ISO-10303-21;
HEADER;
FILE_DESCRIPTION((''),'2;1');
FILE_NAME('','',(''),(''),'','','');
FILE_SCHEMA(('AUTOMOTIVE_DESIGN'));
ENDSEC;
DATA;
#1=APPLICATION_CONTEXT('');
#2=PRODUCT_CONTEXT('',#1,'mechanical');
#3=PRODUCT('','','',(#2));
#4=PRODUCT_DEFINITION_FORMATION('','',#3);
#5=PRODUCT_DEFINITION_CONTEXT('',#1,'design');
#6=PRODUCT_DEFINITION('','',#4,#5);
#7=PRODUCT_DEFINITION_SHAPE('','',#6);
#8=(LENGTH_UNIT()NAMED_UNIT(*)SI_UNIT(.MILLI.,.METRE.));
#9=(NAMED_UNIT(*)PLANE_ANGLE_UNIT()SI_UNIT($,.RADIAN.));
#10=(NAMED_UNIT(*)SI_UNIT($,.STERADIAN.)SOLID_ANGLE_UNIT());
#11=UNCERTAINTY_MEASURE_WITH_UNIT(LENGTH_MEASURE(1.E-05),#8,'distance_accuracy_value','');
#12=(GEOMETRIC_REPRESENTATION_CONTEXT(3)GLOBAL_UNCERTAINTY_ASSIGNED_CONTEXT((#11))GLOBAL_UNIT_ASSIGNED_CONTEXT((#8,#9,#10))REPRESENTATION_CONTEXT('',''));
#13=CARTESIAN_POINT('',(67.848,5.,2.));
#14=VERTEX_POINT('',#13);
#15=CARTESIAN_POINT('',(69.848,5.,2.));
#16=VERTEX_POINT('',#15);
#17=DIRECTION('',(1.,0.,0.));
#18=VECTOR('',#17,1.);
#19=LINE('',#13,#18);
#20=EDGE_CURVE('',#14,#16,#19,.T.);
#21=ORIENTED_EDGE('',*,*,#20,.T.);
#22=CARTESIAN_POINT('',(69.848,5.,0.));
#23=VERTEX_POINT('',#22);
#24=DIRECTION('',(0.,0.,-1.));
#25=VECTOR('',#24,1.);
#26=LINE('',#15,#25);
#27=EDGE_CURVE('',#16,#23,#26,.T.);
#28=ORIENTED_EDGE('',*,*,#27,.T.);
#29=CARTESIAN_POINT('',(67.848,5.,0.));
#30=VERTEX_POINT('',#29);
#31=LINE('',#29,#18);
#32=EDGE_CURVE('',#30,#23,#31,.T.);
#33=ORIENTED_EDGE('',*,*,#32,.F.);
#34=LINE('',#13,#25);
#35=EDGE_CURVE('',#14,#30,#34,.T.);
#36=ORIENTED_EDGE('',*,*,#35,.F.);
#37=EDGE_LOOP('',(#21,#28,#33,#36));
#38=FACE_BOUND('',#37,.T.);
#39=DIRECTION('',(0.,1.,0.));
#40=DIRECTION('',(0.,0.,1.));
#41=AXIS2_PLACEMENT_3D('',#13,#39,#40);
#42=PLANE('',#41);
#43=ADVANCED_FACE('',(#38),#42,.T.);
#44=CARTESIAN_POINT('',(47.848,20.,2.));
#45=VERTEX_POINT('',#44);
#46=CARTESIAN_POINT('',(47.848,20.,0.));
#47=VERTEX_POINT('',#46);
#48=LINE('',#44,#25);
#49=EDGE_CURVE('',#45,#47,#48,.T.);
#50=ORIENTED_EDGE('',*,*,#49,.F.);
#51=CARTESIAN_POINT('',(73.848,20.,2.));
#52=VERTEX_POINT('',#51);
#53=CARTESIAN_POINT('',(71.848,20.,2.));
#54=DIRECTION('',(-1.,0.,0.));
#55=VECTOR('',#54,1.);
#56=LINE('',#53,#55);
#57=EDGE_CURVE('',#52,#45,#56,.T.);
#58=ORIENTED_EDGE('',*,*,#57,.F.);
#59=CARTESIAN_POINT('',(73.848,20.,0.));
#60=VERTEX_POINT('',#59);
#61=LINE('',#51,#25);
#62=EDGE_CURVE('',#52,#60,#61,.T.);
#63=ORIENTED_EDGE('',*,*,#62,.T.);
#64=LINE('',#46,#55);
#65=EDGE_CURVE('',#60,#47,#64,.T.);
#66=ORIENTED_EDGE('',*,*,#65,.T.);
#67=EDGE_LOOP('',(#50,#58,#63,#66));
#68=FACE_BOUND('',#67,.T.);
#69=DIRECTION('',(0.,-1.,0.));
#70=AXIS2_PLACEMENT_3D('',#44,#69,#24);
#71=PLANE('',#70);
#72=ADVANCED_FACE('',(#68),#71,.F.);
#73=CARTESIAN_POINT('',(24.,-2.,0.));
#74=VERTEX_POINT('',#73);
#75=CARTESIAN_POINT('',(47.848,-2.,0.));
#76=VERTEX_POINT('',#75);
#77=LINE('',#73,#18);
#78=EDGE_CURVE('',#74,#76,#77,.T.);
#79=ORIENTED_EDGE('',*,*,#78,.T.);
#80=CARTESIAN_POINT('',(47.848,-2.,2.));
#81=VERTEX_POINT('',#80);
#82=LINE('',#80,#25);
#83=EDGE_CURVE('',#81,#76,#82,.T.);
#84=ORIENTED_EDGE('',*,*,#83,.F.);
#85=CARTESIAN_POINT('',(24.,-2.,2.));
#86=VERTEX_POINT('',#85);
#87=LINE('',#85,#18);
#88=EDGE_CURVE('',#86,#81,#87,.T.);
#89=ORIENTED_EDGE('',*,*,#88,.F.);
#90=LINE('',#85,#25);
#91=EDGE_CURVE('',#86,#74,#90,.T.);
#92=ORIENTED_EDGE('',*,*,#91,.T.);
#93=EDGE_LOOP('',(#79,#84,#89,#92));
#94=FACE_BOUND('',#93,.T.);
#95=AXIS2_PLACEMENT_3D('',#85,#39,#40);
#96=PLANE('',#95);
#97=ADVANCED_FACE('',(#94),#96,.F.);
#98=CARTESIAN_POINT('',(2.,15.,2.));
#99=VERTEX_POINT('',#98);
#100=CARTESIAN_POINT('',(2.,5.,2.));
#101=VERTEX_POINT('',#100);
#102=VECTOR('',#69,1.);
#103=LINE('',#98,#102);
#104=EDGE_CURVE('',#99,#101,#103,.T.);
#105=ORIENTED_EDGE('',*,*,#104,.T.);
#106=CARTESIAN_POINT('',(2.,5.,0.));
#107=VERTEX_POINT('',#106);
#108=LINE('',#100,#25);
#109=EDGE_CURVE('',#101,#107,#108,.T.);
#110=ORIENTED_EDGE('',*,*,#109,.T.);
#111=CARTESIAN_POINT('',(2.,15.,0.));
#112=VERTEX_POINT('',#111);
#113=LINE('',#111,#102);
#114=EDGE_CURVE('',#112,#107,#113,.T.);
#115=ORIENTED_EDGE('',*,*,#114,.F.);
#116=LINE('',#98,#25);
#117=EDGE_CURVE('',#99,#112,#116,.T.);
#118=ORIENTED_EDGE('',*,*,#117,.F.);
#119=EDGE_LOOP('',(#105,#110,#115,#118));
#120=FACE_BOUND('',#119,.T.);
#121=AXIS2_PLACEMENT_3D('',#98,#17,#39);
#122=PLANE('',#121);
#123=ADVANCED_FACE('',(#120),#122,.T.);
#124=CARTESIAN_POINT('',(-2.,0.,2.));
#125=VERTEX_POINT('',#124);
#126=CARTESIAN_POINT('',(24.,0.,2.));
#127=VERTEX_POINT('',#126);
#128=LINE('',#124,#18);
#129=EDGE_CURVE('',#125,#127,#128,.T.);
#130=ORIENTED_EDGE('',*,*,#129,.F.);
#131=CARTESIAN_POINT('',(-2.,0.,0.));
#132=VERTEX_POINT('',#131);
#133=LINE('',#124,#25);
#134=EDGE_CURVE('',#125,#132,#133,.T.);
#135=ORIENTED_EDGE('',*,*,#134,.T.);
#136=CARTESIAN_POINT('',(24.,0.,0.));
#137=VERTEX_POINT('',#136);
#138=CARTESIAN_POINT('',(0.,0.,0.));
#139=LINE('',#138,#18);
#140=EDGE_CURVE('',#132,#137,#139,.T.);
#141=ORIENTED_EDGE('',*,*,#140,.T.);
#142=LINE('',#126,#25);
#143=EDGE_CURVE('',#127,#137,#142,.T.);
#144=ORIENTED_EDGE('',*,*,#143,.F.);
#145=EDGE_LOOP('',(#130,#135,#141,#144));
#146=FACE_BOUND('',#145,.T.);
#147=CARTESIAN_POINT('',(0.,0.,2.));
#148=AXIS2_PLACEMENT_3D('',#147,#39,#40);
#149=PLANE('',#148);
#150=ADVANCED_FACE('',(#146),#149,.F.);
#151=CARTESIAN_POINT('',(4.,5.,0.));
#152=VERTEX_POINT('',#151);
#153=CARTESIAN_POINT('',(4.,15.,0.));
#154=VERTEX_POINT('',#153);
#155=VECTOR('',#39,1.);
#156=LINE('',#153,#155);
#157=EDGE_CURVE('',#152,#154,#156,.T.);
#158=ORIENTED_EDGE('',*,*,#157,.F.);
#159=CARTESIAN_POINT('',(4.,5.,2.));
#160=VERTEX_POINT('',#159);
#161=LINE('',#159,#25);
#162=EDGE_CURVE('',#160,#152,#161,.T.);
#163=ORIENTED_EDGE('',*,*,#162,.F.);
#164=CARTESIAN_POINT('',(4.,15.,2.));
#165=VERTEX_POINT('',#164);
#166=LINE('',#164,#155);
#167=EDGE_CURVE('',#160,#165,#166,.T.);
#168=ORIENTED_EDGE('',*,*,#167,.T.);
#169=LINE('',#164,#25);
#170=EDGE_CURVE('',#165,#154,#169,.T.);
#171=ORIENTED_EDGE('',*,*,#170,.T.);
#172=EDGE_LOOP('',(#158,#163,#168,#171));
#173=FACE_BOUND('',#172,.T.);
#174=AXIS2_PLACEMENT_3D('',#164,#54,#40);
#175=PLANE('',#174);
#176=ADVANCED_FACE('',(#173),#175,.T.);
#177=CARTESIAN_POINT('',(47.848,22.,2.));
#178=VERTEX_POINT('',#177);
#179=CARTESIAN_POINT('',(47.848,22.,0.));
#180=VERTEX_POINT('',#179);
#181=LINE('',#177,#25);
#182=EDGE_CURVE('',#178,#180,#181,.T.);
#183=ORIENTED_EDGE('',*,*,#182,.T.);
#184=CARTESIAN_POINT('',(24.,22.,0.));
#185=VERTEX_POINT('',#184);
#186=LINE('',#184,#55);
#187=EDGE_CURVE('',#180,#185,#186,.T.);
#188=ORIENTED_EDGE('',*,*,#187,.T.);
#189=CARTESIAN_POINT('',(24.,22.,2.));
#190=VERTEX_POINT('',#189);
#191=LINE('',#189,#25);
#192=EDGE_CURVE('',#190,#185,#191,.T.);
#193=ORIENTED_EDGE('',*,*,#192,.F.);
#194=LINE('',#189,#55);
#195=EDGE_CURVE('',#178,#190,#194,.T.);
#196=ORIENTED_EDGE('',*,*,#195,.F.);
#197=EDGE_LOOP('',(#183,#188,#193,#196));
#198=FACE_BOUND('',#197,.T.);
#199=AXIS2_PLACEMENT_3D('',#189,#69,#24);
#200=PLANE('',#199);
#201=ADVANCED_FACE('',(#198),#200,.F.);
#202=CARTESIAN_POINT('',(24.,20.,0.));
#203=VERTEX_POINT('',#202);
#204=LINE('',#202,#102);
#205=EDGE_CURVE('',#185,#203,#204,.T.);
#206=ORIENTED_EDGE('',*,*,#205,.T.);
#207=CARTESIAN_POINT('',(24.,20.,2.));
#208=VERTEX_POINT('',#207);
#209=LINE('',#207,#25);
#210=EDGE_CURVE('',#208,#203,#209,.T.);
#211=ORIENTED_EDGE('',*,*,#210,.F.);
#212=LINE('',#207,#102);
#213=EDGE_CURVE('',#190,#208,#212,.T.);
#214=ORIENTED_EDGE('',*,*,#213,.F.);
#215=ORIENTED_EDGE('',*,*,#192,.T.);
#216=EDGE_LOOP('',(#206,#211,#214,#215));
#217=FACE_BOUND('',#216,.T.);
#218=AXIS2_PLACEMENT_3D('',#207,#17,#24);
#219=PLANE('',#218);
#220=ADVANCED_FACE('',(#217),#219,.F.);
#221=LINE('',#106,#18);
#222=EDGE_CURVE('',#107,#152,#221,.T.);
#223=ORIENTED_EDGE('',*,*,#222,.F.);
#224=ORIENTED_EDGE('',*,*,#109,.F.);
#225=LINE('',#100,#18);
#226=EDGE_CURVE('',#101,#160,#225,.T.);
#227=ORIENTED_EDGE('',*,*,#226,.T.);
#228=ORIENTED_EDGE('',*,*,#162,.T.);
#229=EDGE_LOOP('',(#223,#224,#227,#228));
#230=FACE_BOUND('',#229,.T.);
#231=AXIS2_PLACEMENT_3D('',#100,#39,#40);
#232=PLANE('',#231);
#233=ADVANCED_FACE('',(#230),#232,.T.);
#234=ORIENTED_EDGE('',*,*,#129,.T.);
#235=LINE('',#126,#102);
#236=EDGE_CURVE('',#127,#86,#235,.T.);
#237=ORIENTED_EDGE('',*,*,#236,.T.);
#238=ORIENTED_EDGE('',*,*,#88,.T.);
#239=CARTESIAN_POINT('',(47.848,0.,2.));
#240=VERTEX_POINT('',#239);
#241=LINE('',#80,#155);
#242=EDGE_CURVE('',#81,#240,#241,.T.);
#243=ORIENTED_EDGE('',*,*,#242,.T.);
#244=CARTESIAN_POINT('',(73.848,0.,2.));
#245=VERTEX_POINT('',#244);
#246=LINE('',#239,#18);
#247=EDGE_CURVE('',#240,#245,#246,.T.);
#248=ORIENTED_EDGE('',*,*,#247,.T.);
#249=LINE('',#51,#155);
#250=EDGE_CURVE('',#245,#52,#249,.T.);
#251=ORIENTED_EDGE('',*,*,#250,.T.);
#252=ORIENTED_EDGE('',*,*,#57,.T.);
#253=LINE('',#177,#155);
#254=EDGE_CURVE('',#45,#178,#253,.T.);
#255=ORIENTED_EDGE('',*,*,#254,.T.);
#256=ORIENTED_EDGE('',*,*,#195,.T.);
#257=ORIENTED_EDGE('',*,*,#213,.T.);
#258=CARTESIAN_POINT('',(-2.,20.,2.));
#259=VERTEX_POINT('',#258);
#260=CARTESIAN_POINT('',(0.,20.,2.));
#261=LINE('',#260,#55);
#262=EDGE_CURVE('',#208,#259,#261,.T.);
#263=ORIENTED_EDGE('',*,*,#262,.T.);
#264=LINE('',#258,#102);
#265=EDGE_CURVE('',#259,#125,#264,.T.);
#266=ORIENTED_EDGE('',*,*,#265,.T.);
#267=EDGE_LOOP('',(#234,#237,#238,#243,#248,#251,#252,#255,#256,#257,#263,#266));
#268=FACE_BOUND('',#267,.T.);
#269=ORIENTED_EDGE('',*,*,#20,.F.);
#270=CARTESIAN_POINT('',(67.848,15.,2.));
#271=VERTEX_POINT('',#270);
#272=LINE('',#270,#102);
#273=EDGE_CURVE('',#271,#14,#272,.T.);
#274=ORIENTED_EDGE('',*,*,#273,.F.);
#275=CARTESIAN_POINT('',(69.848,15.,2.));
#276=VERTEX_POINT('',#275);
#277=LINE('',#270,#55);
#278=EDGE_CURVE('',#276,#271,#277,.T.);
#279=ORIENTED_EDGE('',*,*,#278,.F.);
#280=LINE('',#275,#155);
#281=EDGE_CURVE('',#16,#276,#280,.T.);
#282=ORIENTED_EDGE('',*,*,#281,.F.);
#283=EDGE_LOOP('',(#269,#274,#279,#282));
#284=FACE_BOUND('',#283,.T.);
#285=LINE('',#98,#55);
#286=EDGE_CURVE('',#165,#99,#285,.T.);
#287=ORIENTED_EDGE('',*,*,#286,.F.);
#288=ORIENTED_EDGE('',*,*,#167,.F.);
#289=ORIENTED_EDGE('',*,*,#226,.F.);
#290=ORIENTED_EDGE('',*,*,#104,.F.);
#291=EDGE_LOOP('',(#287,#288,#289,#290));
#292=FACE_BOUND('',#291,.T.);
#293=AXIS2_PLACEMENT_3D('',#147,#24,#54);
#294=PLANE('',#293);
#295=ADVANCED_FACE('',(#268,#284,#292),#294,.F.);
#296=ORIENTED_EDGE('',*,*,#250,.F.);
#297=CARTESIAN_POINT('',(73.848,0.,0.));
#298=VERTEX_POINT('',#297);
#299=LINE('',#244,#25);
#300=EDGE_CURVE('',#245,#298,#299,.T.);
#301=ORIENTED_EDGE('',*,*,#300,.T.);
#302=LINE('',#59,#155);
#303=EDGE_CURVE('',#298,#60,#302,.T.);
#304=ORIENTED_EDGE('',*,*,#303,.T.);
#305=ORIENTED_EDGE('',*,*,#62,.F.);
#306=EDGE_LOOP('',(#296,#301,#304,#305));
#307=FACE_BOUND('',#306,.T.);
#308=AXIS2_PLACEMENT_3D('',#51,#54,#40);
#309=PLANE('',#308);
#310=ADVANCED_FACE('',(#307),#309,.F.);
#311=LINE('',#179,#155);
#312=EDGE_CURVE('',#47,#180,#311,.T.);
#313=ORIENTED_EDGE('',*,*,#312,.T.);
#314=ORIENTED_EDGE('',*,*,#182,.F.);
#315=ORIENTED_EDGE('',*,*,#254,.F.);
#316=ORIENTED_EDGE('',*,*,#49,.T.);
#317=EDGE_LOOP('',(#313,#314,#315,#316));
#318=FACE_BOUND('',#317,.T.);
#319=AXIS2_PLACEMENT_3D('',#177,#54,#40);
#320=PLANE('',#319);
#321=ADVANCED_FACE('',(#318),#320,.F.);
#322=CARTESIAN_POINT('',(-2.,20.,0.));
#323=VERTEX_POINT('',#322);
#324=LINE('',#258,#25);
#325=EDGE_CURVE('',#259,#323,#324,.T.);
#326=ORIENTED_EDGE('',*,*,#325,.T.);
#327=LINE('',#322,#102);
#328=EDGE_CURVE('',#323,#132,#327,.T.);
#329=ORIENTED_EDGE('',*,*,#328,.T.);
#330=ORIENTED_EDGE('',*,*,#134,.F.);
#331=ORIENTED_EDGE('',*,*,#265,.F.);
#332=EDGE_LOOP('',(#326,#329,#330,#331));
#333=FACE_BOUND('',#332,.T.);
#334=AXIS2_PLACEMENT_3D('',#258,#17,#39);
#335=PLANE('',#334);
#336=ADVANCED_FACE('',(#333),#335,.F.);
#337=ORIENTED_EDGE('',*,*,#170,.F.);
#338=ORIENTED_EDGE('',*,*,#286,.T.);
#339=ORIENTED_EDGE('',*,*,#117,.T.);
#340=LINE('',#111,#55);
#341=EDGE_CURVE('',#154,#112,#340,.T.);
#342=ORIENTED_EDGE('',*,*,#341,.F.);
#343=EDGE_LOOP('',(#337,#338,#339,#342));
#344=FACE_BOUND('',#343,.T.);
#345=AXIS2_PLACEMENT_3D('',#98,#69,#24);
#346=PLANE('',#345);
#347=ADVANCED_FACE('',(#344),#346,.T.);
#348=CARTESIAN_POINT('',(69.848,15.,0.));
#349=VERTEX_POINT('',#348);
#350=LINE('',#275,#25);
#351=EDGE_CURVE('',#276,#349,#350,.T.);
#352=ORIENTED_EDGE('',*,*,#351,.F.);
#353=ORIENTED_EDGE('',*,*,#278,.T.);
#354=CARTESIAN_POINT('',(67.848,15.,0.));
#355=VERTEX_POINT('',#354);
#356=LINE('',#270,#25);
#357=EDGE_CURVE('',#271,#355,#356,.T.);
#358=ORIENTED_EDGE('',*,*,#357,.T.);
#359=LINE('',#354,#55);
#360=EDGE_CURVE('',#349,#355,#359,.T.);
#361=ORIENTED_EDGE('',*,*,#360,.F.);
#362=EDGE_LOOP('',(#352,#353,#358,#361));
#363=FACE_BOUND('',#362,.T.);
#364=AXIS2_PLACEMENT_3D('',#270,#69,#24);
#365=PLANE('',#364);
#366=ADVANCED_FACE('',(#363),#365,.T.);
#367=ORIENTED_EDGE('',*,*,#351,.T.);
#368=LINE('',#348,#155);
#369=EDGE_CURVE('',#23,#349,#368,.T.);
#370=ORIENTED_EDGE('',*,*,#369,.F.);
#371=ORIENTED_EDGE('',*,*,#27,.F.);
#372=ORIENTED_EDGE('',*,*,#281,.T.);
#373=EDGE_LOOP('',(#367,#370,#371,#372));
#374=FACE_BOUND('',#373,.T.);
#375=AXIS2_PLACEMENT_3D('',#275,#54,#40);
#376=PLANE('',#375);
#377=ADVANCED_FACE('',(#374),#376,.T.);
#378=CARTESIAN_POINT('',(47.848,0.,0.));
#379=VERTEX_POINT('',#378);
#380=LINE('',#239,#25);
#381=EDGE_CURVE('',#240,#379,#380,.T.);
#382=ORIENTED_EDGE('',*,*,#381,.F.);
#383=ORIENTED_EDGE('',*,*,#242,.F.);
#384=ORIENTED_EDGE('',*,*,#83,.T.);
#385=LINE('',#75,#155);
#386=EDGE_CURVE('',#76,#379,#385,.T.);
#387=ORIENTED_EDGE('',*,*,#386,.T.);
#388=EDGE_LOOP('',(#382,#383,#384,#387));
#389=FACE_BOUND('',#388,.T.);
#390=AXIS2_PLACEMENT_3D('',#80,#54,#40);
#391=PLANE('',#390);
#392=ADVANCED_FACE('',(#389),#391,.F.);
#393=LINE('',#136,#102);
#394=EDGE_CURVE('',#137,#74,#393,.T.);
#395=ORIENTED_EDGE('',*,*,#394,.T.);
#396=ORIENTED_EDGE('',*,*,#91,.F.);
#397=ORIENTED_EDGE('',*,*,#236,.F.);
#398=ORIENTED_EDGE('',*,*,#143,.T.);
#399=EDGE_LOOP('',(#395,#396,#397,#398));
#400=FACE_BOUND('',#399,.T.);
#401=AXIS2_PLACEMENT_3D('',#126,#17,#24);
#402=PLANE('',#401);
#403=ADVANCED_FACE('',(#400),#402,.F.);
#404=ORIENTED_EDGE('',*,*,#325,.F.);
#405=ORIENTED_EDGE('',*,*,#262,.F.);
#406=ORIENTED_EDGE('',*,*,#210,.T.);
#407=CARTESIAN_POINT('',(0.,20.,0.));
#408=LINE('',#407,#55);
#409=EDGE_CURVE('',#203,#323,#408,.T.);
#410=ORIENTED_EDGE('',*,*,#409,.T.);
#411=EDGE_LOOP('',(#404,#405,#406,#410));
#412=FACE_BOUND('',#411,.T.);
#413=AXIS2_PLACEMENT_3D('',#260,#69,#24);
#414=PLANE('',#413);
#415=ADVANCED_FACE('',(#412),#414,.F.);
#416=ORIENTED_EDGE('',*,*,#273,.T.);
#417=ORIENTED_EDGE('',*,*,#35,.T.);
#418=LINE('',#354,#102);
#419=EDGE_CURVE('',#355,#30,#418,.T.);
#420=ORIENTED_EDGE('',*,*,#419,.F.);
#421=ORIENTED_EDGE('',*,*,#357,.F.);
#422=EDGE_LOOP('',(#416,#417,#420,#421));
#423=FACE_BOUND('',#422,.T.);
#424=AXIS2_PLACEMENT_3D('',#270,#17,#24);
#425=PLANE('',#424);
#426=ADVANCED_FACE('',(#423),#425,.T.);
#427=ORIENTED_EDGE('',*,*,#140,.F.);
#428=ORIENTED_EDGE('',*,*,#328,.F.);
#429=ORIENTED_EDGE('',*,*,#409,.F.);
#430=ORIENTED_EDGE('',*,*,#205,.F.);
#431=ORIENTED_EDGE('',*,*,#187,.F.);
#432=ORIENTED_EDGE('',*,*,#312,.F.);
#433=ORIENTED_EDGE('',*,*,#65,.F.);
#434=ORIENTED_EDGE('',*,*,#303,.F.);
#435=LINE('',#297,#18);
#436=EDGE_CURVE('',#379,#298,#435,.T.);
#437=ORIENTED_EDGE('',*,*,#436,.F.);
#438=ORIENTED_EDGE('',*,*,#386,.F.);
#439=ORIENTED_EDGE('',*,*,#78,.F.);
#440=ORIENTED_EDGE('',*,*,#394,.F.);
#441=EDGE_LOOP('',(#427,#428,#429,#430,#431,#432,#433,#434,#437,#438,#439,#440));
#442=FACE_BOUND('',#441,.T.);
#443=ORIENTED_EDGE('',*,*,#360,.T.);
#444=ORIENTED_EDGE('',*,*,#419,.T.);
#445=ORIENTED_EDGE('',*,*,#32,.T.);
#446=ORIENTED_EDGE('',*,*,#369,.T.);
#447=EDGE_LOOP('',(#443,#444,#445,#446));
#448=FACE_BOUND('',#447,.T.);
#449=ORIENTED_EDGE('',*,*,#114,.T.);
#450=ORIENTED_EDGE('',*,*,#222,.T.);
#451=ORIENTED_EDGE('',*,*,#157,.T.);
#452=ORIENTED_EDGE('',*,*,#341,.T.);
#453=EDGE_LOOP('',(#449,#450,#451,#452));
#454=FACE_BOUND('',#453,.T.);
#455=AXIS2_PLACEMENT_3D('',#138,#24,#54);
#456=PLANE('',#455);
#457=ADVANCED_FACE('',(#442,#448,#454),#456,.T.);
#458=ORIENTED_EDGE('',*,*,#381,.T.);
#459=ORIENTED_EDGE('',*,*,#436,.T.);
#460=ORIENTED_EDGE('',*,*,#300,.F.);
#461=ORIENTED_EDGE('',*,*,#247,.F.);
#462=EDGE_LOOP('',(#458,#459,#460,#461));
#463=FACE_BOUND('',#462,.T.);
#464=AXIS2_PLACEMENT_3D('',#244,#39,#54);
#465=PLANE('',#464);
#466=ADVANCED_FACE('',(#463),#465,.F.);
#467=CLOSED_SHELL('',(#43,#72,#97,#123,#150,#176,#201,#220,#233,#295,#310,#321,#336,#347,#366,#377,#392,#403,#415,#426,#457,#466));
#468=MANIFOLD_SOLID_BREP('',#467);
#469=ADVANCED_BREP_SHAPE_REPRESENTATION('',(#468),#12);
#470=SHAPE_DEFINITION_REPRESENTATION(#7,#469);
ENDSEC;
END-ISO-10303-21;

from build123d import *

# Parameters (mm, degrees)
SKETCH1_W           = 2
SKETCH1_H           = 10
BOSS_EXTRUDE1_DEPTH = 2


with BuildPart() as part:
    # Sketch1 → Boss-Extrude1 (new body)
    with BuildSketch(Plane.XY):
        Polygon((0, 0), (24, 0), (24, -2), (47.848, -2), (47.848, 0), (71.848, 0), (73.848, 0), (73.848, 20), (71.848, 20), (47.848, 20), (47.848, 22), (24, 22), (24, 20), (0, 20), (-2, 20), (-2, 0), align=None)
        with Locations((3, 10)):
            Rectangle(SKETCH1_W, SKETCH1_H, mode=Mode.SUBTRACT)
        with Locations((68.848, 10)):
            Rectangle(SKETCH1_W, SKETCH1_H, mode=Mode.SUBTRACT)
    extrude(amount=BOSS_EXTRUDE1_DEPTH)


solid = part.part
